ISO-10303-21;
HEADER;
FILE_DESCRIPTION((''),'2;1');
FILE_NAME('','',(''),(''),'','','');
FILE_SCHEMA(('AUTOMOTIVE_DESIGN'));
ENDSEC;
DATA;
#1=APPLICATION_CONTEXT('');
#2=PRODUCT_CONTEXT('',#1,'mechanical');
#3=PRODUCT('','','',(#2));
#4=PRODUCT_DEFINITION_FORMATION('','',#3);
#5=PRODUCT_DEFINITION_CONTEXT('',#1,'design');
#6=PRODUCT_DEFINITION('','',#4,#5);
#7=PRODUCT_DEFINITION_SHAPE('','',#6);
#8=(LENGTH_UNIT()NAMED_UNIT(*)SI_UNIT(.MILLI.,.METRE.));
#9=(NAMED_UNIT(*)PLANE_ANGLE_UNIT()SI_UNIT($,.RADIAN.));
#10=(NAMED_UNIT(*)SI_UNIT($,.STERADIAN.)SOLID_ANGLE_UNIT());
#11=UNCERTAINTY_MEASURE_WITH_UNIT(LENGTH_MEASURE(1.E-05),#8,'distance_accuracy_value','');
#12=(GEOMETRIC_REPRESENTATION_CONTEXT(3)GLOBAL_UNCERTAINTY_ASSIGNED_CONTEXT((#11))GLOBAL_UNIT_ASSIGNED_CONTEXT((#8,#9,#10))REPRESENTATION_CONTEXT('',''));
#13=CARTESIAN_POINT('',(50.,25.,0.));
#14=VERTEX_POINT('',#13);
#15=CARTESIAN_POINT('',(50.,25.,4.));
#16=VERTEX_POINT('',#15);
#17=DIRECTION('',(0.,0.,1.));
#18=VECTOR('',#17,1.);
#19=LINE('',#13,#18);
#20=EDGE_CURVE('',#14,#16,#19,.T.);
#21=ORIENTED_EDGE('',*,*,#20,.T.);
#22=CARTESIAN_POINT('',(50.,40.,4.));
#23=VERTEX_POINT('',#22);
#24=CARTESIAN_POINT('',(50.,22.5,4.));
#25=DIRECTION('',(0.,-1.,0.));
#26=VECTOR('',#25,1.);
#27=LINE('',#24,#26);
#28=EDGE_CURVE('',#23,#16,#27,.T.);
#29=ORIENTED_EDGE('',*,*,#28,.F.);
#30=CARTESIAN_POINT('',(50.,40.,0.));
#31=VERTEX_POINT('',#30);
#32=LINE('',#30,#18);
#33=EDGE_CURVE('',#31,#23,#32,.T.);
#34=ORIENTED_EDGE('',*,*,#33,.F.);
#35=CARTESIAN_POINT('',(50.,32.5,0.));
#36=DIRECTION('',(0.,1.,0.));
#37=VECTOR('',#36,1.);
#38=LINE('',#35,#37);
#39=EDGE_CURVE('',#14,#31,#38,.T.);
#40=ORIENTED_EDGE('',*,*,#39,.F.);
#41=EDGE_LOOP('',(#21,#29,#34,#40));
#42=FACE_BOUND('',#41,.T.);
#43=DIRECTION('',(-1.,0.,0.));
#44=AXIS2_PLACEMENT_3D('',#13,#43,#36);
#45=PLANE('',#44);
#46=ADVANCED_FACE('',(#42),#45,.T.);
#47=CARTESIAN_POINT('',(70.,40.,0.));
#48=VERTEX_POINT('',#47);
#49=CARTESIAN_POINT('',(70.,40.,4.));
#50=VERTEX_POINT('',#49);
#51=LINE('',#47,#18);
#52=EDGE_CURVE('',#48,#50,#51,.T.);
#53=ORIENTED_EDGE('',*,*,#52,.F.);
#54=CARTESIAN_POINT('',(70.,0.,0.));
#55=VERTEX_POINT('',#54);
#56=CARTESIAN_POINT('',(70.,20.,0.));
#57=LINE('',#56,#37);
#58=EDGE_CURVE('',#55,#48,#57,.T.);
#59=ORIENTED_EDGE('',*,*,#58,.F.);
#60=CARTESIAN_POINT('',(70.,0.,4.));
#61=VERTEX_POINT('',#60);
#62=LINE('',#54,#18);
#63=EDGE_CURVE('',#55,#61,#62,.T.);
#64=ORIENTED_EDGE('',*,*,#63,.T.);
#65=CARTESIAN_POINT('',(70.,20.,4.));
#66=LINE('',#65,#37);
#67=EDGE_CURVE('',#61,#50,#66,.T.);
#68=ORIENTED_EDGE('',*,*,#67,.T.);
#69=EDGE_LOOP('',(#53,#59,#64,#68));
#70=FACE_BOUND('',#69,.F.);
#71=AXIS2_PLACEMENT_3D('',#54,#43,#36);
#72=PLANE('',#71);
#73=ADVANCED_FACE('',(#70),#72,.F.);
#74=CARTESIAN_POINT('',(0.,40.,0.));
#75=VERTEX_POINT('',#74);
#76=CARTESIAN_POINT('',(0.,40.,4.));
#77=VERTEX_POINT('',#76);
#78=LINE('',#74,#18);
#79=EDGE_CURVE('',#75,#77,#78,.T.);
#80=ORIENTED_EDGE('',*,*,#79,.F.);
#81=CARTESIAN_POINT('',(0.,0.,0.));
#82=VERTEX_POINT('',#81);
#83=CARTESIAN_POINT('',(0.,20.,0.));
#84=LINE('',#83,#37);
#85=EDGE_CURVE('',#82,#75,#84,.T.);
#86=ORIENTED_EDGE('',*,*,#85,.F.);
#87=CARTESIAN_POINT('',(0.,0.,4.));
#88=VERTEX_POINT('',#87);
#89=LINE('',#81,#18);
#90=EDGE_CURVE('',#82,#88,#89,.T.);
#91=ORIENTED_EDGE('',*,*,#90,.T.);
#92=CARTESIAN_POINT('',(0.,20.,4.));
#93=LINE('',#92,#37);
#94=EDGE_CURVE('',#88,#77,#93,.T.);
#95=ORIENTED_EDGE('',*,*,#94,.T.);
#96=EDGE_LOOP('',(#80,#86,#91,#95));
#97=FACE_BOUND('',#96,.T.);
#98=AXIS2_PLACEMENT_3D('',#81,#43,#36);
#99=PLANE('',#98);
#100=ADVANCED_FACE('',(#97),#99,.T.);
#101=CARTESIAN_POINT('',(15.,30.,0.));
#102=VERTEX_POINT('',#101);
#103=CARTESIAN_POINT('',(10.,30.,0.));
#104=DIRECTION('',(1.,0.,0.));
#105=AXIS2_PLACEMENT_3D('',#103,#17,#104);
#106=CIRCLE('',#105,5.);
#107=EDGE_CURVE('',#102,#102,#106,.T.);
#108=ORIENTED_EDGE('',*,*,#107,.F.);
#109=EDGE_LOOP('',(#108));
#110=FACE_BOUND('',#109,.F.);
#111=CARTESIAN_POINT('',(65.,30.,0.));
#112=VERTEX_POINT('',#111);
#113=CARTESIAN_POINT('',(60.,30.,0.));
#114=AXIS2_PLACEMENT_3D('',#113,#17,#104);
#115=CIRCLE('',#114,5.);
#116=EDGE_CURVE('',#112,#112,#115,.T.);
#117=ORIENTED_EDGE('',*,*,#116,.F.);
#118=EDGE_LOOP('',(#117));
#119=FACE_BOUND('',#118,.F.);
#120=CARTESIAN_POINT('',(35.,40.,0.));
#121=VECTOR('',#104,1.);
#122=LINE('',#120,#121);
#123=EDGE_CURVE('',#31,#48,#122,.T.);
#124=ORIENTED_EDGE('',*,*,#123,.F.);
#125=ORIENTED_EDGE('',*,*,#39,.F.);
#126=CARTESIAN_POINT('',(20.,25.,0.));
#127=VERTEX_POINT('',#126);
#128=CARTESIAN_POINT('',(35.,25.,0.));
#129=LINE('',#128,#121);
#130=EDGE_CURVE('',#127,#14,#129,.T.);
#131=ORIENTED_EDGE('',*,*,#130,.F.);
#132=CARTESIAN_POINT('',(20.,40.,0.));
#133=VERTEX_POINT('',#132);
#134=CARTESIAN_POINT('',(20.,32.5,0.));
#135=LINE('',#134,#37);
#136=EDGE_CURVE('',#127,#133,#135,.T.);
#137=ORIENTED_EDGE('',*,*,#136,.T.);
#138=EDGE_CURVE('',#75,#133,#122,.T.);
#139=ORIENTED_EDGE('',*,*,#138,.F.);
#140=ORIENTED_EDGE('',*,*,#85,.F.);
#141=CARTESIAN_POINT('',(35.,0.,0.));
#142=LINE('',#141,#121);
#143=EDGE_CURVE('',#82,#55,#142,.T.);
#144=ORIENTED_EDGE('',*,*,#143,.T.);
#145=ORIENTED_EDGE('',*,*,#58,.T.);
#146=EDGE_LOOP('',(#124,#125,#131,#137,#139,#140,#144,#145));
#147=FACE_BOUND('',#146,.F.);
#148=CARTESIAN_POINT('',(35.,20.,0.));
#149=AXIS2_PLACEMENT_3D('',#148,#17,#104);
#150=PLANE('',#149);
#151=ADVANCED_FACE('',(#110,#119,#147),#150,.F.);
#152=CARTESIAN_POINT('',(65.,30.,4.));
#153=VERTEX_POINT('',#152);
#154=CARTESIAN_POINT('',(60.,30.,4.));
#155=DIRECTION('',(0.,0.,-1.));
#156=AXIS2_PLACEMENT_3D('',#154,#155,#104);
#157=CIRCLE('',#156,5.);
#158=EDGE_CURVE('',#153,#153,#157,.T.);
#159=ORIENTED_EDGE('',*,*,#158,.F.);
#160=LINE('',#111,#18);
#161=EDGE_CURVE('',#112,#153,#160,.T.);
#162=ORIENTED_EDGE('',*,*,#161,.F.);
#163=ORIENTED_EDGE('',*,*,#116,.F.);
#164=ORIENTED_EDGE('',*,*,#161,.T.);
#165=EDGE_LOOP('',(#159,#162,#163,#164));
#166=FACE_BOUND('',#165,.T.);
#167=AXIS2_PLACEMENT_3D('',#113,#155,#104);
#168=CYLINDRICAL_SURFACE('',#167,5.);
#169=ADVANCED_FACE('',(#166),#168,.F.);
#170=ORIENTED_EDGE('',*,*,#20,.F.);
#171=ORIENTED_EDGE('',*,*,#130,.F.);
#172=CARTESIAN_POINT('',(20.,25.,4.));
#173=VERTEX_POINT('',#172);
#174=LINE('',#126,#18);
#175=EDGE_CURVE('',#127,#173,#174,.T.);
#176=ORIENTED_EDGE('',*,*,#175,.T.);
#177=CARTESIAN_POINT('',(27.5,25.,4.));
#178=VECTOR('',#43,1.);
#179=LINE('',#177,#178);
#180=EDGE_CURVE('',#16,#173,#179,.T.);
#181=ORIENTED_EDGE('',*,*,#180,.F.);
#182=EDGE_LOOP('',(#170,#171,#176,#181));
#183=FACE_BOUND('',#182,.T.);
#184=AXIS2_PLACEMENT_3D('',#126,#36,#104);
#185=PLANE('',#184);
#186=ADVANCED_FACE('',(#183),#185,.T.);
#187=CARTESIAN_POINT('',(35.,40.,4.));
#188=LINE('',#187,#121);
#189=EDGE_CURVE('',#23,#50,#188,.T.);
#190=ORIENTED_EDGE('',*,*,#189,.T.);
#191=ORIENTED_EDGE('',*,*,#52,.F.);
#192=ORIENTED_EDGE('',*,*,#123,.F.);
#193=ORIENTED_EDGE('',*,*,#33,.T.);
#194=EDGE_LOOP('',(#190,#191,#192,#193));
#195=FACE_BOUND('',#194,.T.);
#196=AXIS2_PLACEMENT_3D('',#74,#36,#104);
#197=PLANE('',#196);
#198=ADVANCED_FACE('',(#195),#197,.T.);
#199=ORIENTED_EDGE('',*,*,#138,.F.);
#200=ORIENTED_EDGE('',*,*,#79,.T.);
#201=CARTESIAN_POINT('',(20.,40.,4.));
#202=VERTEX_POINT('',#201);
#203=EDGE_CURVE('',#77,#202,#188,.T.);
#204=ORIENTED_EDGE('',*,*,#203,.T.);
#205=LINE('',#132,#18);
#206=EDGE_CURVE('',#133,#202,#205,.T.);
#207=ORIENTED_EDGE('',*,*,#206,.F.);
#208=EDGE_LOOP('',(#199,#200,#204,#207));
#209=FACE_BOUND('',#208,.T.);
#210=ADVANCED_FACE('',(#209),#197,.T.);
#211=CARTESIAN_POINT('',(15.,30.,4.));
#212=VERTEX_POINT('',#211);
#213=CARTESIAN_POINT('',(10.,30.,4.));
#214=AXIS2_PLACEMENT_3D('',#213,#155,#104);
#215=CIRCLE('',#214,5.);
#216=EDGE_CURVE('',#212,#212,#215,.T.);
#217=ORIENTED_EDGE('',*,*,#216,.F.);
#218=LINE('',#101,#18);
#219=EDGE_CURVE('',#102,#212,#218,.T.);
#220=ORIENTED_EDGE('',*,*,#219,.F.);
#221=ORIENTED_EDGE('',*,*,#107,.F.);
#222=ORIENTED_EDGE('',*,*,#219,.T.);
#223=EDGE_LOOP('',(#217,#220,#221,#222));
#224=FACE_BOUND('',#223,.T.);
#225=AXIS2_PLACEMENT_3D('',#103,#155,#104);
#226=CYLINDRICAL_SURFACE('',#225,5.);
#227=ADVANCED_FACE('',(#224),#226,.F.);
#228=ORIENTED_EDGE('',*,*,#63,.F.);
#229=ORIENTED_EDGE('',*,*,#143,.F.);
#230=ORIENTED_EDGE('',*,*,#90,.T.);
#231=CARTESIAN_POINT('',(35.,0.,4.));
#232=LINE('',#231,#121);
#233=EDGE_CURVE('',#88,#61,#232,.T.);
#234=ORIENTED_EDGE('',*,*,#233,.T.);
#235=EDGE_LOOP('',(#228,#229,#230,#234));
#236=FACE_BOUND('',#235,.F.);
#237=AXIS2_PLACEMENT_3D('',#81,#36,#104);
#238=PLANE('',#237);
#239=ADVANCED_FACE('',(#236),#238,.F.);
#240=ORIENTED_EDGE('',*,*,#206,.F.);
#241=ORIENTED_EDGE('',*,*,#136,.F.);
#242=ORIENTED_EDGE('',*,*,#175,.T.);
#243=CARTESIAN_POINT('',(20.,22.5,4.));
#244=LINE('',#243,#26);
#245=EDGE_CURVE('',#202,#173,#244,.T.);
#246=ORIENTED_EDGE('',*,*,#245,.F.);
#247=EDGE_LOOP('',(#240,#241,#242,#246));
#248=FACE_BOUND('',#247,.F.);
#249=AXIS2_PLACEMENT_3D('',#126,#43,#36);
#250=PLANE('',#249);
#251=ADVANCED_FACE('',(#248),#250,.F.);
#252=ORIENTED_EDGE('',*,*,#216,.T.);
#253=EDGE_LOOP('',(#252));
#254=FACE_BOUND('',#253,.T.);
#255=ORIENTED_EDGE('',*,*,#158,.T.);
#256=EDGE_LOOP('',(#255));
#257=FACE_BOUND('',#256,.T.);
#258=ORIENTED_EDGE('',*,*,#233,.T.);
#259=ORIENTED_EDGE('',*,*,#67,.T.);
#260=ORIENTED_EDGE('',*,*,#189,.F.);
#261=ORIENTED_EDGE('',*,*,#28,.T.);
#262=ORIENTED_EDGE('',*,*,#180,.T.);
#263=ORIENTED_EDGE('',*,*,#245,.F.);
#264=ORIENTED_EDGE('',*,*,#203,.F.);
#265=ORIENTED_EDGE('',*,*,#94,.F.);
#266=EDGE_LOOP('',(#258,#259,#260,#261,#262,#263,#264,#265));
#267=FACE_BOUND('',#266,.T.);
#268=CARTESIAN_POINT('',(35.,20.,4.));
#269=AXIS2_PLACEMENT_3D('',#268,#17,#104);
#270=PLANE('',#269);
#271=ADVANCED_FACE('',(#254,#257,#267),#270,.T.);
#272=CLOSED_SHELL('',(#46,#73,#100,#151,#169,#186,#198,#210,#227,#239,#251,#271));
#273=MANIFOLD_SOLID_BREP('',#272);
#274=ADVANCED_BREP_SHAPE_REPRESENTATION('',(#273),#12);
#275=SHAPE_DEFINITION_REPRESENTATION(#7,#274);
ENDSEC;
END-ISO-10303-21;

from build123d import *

# Parameters (mm, degrees)
CYLINDER001_R     = 5
CYLINDER001_DEPTH = 10
CYLINDER_R        = 5
CYLINDER_DEPTH    = 10
BOX001_W          = 30
BOX001_H          = 15
BOX001_DEPTH      = 10
BOX_W             = 70
BOX_H             = 40
BOX_DEPTH         = 4


with BuildPart() as cylinder001:
    # Cylinder001 → Cylinder001 (new body)
    with BuildSketch(Plane(origin=(60, 30, 0), x_dir=(1, 0, 0), z_dir=(0, 0, 1))):
        Circle(CYLINDER001_R)
    extrude(amount=CYLINDER001_DEPTH)


with BuildPart() as cylinder:
    # Cylinder → Cylinder (new body)
    with BuildSketch(Plane(origin=(10, 30, 0), x_dir=(1, 0, 0), z_dir=(0, 0, 1))):
        Circle(CYLINDER_R)
    extrude(amount=CYLINDER_DEPTH)


with BuildPart() as cube001:
    # Box001 → Box001 (new body)
    with BuildSketch(Plane(origin=(20, 25, 0), x_dir=(1, 0, 0), z_dir=(0, 0, 1))):
        with Locations((15, 7.5)):
            Rectangle(BOX001_W, BOX001_H)
    extrude(amount=BOX001_DEPTH)


with BuildPart() as cut002:
    # Box → Box (new body)
    with BuildSketch(Plane.XY):
        with Locations((35, 20)):
            Rectangle(BOX_W, BOX_H)
    extrude(amount=BOX_DEPTH)

    # Cut: cut Cube001
    add(cube001.part, mode=Mode.SUBTRACT)

    # Cut001: cut Cylinder
    add(cylinder.part, mode=Mode.SUBTRACT)

    # Cut002: cut Cylinder001
    add(cylinder001.part, mode=Mode.SUBTRACT)


solid = cut002.part
